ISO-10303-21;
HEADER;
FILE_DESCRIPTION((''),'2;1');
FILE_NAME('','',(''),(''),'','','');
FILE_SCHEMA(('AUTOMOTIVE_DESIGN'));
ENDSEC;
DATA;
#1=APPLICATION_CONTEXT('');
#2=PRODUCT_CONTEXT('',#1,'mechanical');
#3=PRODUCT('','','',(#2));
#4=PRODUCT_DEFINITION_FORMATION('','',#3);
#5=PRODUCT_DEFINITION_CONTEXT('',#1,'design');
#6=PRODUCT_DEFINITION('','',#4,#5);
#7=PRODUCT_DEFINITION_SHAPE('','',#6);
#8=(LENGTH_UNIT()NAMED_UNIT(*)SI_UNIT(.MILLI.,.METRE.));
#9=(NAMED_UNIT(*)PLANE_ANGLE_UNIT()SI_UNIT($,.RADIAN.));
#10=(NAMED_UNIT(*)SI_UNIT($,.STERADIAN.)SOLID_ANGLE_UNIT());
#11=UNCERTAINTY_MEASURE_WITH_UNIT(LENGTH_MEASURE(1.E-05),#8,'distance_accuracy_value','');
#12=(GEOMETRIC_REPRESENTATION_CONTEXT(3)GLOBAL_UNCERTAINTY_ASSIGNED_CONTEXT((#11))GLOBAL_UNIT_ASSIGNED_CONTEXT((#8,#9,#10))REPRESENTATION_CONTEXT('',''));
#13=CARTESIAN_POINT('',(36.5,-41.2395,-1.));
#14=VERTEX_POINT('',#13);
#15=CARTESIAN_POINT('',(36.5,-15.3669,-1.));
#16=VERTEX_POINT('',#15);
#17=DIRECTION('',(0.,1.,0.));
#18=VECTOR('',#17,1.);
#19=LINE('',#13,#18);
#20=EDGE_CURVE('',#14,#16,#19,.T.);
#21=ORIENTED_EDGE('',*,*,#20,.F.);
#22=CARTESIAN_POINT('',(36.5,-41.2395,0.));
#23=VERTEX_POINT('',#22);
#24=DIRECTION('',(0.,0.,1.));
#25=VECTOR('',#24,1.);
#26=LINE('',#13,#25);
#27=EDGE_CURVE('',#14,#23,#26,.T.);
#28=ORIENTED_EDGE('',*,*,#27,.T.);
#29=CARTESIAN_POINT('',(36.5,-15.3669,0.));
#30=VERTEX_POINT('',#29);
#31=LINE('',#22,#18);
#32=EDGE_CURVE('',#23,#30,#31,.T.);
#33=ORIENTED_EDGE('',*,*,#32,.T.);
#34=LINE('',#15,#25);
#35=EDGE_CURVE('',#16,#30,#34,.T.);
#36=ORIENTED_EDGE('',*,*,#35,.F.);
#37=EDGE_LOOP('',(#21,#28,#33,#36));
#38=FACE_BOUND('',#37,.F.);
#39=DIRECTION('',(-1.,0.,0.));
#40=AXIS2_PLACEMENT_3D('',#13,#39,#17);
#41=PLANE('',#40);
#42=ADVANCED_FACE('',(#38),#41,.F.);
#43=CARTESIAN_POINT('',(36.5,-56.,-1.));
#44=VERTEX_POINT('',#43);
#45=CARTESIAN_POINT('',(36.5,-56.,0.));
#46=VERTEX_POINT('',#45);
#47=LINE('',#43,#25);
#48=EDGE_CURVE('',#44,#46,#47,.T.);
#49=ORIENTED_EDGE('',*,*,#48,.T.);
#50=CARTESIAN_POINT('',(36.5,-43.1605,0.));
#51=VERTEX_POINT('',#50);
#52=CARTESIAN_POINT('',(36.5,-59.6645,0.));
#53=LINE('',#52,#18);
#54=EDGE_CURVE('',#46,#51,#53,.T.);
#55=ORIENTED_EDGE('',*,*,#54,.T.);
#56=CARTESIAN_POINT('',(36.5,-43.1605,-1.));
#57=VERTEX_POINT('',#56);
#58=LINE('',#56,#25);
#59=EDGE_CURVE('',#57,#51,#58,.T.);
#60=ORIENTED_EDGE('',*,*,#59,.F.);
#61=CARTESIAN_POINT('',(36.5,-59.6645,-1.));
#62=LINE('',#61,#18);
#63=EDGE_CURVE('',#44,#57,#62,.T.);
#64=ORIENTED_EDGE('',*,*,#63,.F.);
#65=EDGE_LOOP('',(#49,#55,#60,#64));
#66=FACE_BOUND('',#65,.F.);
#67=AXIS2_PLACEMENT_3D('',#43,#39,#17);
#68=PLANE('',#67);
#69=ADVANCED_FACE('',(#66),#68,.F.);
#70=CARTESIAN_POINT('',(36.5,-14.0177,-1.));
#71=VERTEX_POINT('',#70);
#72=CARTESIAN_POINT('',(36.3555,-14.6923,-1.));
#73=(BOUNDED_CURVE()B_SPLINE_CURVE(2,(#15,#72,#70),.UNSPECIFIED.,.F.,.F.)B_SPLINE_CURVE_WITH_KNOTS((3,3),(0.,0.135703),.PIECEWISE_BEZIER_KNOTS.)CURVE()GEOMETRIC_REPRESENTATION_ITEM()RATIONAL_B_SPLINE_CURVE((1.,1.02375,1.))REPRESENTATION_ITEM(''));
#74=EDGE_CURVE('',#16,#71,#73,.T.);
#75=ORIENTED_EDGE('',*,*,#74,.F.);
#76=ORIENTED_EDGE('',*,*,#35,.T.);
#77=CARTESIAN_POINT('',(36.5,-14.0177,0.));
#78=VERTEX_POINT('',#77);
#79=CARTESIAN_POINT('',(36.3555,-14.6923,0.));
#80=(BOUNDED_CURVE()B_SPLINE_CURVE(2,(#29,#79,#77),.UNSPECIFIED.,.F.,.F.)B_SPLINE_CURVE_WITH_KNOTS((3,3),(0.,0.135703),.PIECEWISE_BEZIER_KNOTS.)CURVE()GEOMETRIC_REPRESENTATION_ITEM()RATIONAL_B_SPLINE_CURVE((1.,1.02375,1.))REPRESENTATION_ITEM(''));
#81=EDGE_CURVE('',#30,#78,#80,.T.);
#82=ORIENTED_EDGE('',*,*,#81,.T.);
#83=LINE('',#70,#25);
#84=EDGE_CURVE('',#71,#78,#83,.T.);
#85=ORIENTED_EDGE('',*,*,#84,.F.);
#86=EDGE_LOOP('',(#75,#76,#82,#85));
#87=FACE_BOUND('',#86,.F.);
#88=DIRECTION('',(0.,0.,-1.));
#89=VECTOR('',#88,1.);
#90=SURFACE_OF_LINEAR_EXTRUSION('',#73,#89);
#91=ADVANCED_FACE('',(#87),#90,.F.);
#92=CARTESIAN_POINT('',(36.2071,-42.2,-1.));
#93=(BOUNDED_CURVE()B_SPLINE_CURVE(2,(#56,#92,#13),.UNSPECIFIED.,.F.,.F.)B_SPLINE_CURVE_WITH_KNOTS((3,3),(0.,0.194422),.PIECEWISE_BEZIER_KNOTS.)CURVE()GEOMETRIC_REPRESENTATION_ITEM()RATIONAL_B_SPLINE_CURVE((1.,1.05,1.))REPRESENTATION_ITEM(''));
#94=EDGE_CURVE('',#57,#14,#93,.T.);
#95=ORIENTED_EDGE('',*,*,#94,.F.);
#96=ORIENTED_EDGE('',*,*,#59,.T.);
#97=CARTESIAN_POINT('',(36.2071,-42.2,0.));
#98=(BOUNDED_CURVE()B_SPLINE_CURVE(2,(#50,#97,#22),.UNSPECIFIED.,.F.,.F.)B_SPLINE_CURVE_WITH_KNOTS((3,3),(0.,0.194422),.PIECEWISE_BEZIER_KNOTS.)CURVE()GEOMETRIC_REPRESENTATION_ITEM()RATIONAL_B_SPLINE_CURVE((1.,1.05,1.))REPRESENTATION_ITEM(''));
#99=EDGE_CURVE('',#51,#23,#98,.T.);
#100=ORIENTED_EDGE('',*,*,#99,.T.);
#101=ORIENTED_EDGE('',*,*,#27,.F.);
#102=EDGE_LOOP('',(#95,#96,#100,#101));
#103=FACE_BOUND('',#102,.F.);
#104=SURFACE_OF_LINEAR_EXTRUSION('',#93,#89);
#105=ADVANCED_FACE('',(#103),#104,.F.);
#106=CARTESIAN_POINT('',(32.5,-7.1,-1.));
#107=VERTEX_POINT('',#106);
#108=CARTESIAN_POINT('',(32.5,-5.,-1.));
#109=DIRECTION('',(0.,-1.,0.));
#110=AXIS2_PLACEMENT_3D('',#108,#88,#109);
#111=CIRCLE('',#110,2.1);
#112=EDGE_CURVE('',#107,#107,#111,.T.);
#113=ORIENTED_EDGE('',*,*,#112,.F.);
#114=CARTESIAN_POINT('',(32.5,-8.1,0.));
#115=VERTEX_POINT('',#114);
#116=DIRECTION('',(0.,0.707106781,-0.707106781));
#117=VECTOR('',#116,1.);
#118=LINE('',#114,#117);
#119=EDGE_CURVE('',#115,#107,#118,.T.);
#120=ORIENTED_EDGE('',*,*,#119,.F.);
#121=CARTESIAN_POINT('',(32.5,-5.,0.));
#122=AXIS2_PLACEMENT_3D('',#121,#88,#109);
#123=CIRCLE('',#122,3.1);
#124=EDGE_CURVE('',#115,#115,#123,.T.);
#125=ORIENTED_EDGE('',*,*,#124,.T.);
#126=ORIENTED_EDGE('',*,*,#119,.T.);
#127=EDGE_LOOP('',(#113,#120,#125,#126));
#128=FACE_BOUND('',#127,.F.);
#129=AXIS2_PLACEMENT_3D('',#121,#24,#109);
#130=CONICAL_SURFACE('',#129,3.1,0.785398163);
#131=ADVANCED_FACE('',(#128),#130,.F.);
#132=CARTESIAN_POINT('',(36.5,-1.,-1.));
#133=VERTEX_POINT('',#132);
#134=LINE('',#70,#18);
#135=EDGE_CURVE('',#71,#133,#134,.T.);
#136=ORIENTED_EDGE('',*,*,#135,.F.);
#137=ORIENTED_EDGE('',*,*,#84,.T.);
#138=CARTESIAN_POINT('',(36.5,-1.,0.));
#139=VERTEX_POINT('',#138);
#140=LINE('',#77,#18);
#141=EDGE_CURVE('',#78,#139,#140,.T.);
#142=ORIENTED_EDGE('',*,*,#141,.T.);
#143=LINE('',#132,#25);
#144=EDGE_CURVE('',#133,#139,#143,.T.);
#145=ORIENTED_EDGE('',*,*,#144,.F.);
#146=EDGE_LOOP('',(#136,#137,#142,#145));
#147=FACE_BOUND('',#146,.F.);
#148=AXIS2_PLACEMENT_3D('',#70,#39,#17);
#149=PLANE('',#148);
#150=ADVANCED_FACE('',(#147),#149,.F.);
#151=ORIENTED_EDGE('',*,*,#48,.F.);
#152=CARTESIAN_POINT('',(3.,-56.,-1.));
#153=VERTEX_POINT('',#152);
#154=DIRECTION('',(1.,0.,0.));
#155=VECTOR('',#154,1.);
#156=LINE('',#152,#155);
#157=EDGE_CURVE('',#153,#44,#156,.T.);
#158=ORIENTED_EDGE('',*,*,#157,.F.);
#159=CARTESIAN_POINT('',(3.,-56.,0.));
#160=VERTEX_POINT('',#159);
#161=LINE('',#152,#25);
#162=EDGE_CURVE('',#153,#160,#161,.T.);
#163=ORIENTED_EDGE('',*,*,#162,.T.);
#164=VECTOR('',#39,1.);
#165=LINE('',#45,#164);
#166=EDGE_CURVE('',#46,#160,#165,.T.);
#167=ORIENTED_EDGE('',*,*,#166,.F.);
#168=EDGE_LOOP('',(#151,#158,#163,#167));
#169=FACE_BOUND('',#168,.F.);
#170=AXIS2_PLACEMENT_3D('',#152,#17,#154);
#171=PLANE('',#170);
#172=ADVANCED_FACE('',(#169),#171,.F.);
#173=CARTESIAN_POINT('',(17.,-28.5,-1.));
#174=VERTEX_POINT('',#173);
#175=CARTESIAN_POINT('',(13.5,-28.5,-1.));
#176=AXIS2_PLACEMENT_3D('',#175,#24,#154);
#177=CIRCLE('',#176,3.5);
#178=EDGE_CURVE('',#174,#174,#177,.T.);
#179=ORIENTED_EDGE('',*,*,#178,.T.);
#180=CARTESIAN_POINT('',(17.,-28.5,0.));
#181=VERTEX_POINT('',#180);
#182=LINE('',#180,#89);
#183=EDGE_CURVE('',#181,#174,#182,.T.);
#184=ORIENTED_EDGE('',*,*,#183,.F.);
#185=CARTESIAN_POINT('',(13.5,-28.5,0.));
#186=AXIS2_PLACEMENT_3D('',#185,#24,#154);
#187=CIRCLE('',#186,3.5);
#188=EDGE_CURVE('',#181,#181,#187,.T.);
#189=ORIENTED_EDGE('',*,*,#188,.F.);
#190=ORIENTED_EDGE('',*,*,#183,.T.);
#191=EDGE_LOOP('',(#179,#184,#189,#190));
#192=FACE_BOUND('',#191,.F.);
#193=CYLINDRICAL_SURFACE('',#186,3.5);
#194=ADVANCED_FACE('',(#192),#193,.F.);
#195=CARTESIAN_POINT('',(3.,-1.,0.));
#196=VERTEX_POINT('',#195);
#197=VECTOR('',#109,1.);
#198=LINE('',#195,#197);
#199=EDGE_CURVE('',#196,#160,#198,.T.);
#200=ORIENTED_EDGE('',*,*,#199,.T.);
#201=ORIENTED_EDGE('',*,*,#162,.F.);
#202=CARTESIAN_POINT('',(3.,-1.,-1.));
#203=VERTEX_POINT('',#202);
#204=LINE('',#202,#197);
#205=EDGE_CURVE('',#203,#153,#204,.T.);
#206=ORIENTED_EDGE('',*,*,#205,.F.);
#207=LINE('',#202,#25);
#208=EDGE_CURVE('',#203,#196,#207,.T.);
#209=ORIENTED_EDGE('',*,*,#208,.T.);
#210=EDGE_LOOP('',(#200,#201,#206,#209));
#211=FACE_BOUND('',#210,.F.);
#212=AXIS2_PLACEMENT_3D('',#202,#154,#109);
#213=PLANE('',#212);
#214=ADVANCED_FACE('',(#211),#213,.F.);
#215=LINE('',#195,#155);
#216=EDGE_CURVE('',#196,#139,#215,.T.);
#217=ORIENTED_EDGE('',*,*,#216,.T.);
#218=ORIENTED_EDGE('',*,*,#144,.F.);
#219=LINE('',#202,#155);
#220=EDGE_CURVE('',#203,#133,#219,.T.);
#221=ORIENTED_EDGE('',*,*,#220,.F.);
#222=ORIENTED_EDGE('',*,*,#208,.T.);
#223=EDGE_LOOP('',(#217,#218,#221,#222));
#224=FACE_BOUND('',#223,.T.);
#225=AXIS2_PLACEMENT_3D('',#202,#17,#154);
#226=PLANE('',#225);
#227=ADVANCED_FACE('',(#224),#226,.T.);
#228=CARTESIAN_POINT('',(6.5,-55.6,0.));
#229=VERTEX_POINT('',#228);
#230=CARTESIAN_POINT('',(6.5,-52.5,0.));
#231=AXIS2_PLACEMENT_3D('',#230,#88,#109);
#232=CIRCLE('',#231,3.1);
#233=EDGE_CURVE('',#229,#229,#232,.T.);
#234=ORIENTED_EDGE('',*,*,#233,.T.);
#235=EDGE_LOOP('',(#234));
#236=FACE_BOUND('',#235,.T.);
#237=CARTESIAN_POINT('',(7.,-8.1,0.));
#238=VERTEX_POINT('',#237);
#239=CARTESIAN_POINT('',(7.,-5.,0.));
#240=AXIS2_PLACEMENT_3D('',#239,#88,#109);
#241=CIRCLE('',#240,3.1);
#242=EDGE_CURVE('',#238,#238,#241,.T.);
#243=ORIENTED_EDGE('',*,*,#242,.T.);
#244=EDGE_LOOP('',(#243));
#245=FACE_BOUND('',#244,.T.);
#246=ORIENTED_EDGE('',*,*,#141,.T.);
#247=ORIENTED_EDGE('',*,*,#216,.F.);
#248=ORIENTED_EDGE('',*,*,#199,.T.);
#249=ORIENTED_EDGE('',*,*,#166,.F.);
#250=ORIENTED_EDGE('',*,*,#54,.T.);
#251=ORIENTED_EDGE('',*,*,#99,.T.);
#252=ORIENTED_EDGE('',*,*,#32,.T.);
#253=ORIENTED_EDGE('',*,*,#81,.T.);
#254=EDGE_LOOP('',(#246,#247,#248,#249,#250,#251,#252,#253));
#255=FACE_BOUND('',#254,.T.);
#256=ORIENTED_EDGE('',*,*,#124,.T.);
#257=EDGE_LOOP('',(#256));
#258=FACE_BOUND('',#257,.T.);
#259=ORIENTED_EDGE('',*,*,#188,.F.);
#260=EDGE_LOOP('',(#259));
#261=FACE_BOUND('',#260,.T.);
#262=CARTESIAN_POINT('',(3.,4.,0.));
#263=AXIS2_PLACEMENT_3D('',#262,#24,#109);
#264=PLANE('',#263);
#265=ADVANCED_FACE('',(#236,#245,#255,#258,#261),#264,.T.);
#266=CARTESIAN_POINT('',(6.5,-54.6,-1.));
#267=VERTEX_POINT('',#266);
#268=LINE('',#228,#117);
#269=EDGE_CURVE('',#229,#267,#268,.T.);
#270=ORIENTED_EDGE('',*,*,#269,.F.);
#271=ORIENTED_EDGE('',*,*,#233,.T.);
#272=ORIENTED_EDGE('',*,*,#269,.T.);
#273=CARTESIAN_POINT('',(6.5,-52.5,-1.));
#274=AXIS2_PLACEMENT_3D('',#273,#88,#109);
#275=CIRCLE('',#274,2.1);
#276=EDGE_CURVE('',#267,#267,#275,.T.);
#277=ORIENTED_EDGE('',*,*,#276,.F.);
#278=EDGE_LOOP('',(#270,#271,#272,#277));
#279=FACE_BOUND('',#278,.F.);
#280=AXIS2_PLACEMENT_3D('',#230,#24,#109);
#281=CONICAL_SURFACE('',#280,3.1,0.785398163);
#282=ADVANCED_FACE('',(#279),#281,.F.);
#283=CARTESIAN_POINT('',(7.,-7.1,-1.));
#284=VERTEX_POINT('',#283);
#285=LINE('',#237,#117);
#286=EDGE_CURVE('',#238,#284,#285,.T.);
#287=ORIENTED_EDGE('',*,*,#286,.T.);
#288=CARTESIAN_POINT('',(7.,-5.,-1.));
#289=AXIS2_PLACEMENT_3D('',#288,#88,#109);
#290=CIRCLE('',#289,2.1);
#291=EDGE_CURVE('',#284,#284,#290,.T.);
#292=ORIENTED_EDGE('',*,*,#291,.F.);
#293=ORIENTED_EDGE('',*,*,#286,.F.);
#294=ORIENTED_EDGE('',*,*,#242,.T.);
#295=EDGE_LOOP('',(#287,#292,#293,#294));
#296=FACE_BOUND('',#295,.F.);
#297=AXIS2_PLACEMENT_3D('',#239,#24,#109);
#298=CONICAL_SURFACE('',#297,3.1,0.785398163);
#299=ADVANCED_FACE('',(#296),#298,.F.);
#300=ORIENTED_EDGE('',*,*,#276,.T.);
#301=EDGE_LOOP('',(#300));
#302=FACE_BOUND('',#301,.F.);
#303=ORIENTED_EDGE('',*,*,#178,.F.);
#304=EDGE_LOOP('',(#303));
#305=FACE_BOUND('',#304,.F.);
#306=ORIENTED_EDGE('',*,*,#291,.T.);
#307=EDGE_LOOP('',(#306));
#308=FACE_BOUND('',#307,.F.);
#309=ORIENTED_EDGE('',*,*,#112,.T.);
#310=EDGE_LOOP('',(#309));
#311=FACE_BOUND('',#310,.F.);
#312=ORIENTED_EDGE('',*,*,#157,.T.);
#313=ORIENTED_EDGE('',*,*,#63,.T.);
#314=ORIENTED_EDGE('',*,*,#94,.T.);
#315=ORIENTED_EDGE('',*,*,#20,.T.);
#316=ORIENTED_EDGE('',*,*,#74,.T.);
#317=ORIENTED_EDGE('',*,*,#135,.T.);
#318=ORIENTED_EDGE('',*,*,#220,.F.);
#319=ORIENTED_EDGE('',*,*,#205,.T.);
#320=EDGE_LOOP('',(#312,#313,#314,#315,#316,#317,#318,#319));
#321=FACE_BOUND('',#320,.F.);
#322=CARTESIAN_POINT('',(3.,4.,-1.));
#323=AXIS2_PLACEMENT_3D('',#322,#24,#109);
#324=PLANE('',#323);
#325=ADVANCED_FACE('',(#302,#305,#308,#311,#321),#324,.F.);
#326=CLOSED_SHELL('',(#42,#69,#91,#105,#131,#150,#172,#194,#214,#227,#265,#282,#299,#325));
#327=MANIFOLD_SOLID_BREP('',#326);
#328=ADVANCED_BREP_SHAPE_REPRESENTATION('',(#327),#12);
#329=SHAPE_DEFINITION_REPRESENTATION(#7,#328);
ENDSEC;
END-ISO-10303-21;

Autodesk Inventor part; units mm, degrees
ref_plane "YZ Plane" through (0, 0, 0) normal (1, 0, 0) x (0, 1, 0)
ref_plane "XZ Plane" through (0, 0, 0) normal (0, 1, 0) x (-1, 0, 0)
ref_plane "XY Plane" through (0, 0, 0) normal (0, 0, 1) x (1, 0, 0)
ref_plane "Work Plane1" through (3, 4, -1) normal (0, 0, 1) x (0, -1, 0)
sketch "Sketch1" plane through (3, 4, -1) normal (0, 0, 1) x (0, -1, 0)
  line L0 (87.75, 33.5) -> (84.9105, 33.5) projected
  line L1 (5, 0) -> (5, 33.5) projected
  line L2 (5, 0) -> (87.75, 0) projected
  line L3 (5, 0) -> (60, 0) projected
  line L4 (5, -3) -> (5, 0) projected
  line L5 (4, -3) -> (60, -3) projected
  line L6 (60, -3) -> (60, 0) projected
  line L7 (87.199, 0) -> (183, 0) projected
  circle A0 centre (74.375, 17.375) radius 6.75 projected
  line L8 (60, 0) -> (60, 33.5)
  circle A1 centre (32.5, 10.5) radius 5.5 projected
  circle A2 centre (9, 4) radius 2.1 projected
  circle A3 centre (9, 29.5) radius 2.1 projected
  circle A4 centre (56.5, 3.5) radius 2.1 projected
  line L9 (82.9895, 33.5) -> (65.5855, 33.5) projected
  line L10 (63.6645, 33.5) -> (47.1605, 33.5) projected
  spline S0 degree 2 poles (47.1605, 33.5) (46.2, 33.2071) (45.2395, 33.5) knots 0 0 0 0.194422 0.194422 0.194422 weights 1 1.05 1 projected
  line L11 (45.2395, 33.5) -> (19.3669, 33.5) projected
  spline S1 degree 2 poles (19.3669, 33.5) (18.6923, 33.3555) (18.0177, 33.5) knots 0 0 0 0.135703 0.135703 0.135703 weights 1 1.02375 1 projected
  spline S2 degree 2 poles (84.9105, 33.5) (83.95, 33.2071) (82.9895, 33.5) knots 0 0 0 0.194422 0.194422 0.194422 weights 1 1.05 1 projected
  spline S3 degree 2 poles (65.5855, 33.5) (64.625, 33.2071) (63.6645, 33.5) knots 0 0 0 0.194422 0.194422 0.194422 weights 1 1.05 1 projected
  line L12 (87.75, 0) -> (87.75, 33.5) projected
  line L13 (18.0177, 33.5) -> (5, 33.5) projected
  line L14 (60, 33.5) -> (60, 3.949) projected
  arc A5 (63.949, 0) -> (60, 3.949) centre (62.75, 2.75) ccw projected
  line L15 (63.949, 0) -> (84.801, 0) projected
  arc A6 (87.199, 0) -> (84.801, 0) centre (86, 2.75) ccw projected
  line L16 (183, 0) -> (183, 4.5) projected
  line L17 (183, 4.5) -> (137.8889, 33.5) projected
  line L18 (137.8889, 33.5) -> (60, 33.5) projected
  point P0 (89.75, 33.5)
  point P1 (52, 0)
  point P2 (64.076, 0)
  point P3 (87.674, 0)
  point P4 (63.25, 3.25)
  point P5 (86.9105, 33.5)
  point P6 (84.9895, 33.5)
  point P7 (60, 1.551)
extrude "Extrusion1" add sketch "Sketch1" along normal blind 1 contours L2 L1 L13 S1 L11 S0 L10 L8 | A1 | A2 | A3 | A4
sketch "Sketch2" plane through (3, 4, 0) normal (0, 0, 1) x (1, 0, 0)
  line L0 (12.5287, -34.71) -> (8.4496, -34.6899)
  arc A0 (8.4713, -30.29) -> (8.4496, -34.6899) centre (10.5, -32.5) ccw
  line L1 (8.4713, -30.29) -> (12.5504, -30.3101)
  arc A1 (12.5287, -34.71) -> (12.5504, -30.3101) centre (10.5, -32.5) ccw
  circle A2 centre (10.5, -32.5) radius 3
  circle A3 centre (10.5, -32.5) radius 3.5
  point P0 (-3, -4)
  dimension "d5" = 0.5
extrude "Extrusion2" cut sketch "Sketch2" against normal up to next contours A2 L0 | L0 A0 L1 A1 | A2 L1 | A3
sketch "Sketch3" plane through (3, 4, 0) normal (0, 0, 1) x (1, 0, 0)
  circle A0 centre (10.5, -32.5) radius 3.5 projected
  line L0 (0, -5) -> (0, -60) projected
  line L1 (33.5, -5) -> (0, -5) projected
  circle A1 centre (3.5, -56.5) radius 3.5
  circle A2 centre (4, -9) radius 4
  circle A3 centre (3.5, -56.5) radius 2.6
  circle A4 centre (4, -9) radius 2.6
  circle A5 centre (29.5, -9) radius 4
  circle A6 centre (29.5, -9) radius 2.6
  line L2 (33.5, -60) -> (33.5, -47.1605) projected
  line L3 (33.5, -45.2395) -> (33.5, -19.3669) projected
  line L4 (33.5, -18.0177) -> (33.5, -5) projected
  line L5 (0, -60) -> (33.5, -60) projected
  point P0 (-3, -4)
  dimension "d8" = 7
  dimension "d17" = 8
  dimension "d18" = 5.2
  dimension "d19" = 5.2
  dimension "d20" = 4
  dimension "d21" = 4
  dimension "d22" = 8
  dimension "d23" = 5.2
  dimension "d25" = 4
hole "Hole1" at (6.5, -52.5, 0) at (7, -5, 0) at (32.5, -5, 0) direction (0, 0, -1) diameter 3.6 end through all countersink diameter 6.2 countersink angle 90 clearance for "Countersunk Flat Head Screw ISO 2009/7046" size "M3" standard "ISO"
properties part number "right_metal_gear_bracker" material "Nylon 6/6"
